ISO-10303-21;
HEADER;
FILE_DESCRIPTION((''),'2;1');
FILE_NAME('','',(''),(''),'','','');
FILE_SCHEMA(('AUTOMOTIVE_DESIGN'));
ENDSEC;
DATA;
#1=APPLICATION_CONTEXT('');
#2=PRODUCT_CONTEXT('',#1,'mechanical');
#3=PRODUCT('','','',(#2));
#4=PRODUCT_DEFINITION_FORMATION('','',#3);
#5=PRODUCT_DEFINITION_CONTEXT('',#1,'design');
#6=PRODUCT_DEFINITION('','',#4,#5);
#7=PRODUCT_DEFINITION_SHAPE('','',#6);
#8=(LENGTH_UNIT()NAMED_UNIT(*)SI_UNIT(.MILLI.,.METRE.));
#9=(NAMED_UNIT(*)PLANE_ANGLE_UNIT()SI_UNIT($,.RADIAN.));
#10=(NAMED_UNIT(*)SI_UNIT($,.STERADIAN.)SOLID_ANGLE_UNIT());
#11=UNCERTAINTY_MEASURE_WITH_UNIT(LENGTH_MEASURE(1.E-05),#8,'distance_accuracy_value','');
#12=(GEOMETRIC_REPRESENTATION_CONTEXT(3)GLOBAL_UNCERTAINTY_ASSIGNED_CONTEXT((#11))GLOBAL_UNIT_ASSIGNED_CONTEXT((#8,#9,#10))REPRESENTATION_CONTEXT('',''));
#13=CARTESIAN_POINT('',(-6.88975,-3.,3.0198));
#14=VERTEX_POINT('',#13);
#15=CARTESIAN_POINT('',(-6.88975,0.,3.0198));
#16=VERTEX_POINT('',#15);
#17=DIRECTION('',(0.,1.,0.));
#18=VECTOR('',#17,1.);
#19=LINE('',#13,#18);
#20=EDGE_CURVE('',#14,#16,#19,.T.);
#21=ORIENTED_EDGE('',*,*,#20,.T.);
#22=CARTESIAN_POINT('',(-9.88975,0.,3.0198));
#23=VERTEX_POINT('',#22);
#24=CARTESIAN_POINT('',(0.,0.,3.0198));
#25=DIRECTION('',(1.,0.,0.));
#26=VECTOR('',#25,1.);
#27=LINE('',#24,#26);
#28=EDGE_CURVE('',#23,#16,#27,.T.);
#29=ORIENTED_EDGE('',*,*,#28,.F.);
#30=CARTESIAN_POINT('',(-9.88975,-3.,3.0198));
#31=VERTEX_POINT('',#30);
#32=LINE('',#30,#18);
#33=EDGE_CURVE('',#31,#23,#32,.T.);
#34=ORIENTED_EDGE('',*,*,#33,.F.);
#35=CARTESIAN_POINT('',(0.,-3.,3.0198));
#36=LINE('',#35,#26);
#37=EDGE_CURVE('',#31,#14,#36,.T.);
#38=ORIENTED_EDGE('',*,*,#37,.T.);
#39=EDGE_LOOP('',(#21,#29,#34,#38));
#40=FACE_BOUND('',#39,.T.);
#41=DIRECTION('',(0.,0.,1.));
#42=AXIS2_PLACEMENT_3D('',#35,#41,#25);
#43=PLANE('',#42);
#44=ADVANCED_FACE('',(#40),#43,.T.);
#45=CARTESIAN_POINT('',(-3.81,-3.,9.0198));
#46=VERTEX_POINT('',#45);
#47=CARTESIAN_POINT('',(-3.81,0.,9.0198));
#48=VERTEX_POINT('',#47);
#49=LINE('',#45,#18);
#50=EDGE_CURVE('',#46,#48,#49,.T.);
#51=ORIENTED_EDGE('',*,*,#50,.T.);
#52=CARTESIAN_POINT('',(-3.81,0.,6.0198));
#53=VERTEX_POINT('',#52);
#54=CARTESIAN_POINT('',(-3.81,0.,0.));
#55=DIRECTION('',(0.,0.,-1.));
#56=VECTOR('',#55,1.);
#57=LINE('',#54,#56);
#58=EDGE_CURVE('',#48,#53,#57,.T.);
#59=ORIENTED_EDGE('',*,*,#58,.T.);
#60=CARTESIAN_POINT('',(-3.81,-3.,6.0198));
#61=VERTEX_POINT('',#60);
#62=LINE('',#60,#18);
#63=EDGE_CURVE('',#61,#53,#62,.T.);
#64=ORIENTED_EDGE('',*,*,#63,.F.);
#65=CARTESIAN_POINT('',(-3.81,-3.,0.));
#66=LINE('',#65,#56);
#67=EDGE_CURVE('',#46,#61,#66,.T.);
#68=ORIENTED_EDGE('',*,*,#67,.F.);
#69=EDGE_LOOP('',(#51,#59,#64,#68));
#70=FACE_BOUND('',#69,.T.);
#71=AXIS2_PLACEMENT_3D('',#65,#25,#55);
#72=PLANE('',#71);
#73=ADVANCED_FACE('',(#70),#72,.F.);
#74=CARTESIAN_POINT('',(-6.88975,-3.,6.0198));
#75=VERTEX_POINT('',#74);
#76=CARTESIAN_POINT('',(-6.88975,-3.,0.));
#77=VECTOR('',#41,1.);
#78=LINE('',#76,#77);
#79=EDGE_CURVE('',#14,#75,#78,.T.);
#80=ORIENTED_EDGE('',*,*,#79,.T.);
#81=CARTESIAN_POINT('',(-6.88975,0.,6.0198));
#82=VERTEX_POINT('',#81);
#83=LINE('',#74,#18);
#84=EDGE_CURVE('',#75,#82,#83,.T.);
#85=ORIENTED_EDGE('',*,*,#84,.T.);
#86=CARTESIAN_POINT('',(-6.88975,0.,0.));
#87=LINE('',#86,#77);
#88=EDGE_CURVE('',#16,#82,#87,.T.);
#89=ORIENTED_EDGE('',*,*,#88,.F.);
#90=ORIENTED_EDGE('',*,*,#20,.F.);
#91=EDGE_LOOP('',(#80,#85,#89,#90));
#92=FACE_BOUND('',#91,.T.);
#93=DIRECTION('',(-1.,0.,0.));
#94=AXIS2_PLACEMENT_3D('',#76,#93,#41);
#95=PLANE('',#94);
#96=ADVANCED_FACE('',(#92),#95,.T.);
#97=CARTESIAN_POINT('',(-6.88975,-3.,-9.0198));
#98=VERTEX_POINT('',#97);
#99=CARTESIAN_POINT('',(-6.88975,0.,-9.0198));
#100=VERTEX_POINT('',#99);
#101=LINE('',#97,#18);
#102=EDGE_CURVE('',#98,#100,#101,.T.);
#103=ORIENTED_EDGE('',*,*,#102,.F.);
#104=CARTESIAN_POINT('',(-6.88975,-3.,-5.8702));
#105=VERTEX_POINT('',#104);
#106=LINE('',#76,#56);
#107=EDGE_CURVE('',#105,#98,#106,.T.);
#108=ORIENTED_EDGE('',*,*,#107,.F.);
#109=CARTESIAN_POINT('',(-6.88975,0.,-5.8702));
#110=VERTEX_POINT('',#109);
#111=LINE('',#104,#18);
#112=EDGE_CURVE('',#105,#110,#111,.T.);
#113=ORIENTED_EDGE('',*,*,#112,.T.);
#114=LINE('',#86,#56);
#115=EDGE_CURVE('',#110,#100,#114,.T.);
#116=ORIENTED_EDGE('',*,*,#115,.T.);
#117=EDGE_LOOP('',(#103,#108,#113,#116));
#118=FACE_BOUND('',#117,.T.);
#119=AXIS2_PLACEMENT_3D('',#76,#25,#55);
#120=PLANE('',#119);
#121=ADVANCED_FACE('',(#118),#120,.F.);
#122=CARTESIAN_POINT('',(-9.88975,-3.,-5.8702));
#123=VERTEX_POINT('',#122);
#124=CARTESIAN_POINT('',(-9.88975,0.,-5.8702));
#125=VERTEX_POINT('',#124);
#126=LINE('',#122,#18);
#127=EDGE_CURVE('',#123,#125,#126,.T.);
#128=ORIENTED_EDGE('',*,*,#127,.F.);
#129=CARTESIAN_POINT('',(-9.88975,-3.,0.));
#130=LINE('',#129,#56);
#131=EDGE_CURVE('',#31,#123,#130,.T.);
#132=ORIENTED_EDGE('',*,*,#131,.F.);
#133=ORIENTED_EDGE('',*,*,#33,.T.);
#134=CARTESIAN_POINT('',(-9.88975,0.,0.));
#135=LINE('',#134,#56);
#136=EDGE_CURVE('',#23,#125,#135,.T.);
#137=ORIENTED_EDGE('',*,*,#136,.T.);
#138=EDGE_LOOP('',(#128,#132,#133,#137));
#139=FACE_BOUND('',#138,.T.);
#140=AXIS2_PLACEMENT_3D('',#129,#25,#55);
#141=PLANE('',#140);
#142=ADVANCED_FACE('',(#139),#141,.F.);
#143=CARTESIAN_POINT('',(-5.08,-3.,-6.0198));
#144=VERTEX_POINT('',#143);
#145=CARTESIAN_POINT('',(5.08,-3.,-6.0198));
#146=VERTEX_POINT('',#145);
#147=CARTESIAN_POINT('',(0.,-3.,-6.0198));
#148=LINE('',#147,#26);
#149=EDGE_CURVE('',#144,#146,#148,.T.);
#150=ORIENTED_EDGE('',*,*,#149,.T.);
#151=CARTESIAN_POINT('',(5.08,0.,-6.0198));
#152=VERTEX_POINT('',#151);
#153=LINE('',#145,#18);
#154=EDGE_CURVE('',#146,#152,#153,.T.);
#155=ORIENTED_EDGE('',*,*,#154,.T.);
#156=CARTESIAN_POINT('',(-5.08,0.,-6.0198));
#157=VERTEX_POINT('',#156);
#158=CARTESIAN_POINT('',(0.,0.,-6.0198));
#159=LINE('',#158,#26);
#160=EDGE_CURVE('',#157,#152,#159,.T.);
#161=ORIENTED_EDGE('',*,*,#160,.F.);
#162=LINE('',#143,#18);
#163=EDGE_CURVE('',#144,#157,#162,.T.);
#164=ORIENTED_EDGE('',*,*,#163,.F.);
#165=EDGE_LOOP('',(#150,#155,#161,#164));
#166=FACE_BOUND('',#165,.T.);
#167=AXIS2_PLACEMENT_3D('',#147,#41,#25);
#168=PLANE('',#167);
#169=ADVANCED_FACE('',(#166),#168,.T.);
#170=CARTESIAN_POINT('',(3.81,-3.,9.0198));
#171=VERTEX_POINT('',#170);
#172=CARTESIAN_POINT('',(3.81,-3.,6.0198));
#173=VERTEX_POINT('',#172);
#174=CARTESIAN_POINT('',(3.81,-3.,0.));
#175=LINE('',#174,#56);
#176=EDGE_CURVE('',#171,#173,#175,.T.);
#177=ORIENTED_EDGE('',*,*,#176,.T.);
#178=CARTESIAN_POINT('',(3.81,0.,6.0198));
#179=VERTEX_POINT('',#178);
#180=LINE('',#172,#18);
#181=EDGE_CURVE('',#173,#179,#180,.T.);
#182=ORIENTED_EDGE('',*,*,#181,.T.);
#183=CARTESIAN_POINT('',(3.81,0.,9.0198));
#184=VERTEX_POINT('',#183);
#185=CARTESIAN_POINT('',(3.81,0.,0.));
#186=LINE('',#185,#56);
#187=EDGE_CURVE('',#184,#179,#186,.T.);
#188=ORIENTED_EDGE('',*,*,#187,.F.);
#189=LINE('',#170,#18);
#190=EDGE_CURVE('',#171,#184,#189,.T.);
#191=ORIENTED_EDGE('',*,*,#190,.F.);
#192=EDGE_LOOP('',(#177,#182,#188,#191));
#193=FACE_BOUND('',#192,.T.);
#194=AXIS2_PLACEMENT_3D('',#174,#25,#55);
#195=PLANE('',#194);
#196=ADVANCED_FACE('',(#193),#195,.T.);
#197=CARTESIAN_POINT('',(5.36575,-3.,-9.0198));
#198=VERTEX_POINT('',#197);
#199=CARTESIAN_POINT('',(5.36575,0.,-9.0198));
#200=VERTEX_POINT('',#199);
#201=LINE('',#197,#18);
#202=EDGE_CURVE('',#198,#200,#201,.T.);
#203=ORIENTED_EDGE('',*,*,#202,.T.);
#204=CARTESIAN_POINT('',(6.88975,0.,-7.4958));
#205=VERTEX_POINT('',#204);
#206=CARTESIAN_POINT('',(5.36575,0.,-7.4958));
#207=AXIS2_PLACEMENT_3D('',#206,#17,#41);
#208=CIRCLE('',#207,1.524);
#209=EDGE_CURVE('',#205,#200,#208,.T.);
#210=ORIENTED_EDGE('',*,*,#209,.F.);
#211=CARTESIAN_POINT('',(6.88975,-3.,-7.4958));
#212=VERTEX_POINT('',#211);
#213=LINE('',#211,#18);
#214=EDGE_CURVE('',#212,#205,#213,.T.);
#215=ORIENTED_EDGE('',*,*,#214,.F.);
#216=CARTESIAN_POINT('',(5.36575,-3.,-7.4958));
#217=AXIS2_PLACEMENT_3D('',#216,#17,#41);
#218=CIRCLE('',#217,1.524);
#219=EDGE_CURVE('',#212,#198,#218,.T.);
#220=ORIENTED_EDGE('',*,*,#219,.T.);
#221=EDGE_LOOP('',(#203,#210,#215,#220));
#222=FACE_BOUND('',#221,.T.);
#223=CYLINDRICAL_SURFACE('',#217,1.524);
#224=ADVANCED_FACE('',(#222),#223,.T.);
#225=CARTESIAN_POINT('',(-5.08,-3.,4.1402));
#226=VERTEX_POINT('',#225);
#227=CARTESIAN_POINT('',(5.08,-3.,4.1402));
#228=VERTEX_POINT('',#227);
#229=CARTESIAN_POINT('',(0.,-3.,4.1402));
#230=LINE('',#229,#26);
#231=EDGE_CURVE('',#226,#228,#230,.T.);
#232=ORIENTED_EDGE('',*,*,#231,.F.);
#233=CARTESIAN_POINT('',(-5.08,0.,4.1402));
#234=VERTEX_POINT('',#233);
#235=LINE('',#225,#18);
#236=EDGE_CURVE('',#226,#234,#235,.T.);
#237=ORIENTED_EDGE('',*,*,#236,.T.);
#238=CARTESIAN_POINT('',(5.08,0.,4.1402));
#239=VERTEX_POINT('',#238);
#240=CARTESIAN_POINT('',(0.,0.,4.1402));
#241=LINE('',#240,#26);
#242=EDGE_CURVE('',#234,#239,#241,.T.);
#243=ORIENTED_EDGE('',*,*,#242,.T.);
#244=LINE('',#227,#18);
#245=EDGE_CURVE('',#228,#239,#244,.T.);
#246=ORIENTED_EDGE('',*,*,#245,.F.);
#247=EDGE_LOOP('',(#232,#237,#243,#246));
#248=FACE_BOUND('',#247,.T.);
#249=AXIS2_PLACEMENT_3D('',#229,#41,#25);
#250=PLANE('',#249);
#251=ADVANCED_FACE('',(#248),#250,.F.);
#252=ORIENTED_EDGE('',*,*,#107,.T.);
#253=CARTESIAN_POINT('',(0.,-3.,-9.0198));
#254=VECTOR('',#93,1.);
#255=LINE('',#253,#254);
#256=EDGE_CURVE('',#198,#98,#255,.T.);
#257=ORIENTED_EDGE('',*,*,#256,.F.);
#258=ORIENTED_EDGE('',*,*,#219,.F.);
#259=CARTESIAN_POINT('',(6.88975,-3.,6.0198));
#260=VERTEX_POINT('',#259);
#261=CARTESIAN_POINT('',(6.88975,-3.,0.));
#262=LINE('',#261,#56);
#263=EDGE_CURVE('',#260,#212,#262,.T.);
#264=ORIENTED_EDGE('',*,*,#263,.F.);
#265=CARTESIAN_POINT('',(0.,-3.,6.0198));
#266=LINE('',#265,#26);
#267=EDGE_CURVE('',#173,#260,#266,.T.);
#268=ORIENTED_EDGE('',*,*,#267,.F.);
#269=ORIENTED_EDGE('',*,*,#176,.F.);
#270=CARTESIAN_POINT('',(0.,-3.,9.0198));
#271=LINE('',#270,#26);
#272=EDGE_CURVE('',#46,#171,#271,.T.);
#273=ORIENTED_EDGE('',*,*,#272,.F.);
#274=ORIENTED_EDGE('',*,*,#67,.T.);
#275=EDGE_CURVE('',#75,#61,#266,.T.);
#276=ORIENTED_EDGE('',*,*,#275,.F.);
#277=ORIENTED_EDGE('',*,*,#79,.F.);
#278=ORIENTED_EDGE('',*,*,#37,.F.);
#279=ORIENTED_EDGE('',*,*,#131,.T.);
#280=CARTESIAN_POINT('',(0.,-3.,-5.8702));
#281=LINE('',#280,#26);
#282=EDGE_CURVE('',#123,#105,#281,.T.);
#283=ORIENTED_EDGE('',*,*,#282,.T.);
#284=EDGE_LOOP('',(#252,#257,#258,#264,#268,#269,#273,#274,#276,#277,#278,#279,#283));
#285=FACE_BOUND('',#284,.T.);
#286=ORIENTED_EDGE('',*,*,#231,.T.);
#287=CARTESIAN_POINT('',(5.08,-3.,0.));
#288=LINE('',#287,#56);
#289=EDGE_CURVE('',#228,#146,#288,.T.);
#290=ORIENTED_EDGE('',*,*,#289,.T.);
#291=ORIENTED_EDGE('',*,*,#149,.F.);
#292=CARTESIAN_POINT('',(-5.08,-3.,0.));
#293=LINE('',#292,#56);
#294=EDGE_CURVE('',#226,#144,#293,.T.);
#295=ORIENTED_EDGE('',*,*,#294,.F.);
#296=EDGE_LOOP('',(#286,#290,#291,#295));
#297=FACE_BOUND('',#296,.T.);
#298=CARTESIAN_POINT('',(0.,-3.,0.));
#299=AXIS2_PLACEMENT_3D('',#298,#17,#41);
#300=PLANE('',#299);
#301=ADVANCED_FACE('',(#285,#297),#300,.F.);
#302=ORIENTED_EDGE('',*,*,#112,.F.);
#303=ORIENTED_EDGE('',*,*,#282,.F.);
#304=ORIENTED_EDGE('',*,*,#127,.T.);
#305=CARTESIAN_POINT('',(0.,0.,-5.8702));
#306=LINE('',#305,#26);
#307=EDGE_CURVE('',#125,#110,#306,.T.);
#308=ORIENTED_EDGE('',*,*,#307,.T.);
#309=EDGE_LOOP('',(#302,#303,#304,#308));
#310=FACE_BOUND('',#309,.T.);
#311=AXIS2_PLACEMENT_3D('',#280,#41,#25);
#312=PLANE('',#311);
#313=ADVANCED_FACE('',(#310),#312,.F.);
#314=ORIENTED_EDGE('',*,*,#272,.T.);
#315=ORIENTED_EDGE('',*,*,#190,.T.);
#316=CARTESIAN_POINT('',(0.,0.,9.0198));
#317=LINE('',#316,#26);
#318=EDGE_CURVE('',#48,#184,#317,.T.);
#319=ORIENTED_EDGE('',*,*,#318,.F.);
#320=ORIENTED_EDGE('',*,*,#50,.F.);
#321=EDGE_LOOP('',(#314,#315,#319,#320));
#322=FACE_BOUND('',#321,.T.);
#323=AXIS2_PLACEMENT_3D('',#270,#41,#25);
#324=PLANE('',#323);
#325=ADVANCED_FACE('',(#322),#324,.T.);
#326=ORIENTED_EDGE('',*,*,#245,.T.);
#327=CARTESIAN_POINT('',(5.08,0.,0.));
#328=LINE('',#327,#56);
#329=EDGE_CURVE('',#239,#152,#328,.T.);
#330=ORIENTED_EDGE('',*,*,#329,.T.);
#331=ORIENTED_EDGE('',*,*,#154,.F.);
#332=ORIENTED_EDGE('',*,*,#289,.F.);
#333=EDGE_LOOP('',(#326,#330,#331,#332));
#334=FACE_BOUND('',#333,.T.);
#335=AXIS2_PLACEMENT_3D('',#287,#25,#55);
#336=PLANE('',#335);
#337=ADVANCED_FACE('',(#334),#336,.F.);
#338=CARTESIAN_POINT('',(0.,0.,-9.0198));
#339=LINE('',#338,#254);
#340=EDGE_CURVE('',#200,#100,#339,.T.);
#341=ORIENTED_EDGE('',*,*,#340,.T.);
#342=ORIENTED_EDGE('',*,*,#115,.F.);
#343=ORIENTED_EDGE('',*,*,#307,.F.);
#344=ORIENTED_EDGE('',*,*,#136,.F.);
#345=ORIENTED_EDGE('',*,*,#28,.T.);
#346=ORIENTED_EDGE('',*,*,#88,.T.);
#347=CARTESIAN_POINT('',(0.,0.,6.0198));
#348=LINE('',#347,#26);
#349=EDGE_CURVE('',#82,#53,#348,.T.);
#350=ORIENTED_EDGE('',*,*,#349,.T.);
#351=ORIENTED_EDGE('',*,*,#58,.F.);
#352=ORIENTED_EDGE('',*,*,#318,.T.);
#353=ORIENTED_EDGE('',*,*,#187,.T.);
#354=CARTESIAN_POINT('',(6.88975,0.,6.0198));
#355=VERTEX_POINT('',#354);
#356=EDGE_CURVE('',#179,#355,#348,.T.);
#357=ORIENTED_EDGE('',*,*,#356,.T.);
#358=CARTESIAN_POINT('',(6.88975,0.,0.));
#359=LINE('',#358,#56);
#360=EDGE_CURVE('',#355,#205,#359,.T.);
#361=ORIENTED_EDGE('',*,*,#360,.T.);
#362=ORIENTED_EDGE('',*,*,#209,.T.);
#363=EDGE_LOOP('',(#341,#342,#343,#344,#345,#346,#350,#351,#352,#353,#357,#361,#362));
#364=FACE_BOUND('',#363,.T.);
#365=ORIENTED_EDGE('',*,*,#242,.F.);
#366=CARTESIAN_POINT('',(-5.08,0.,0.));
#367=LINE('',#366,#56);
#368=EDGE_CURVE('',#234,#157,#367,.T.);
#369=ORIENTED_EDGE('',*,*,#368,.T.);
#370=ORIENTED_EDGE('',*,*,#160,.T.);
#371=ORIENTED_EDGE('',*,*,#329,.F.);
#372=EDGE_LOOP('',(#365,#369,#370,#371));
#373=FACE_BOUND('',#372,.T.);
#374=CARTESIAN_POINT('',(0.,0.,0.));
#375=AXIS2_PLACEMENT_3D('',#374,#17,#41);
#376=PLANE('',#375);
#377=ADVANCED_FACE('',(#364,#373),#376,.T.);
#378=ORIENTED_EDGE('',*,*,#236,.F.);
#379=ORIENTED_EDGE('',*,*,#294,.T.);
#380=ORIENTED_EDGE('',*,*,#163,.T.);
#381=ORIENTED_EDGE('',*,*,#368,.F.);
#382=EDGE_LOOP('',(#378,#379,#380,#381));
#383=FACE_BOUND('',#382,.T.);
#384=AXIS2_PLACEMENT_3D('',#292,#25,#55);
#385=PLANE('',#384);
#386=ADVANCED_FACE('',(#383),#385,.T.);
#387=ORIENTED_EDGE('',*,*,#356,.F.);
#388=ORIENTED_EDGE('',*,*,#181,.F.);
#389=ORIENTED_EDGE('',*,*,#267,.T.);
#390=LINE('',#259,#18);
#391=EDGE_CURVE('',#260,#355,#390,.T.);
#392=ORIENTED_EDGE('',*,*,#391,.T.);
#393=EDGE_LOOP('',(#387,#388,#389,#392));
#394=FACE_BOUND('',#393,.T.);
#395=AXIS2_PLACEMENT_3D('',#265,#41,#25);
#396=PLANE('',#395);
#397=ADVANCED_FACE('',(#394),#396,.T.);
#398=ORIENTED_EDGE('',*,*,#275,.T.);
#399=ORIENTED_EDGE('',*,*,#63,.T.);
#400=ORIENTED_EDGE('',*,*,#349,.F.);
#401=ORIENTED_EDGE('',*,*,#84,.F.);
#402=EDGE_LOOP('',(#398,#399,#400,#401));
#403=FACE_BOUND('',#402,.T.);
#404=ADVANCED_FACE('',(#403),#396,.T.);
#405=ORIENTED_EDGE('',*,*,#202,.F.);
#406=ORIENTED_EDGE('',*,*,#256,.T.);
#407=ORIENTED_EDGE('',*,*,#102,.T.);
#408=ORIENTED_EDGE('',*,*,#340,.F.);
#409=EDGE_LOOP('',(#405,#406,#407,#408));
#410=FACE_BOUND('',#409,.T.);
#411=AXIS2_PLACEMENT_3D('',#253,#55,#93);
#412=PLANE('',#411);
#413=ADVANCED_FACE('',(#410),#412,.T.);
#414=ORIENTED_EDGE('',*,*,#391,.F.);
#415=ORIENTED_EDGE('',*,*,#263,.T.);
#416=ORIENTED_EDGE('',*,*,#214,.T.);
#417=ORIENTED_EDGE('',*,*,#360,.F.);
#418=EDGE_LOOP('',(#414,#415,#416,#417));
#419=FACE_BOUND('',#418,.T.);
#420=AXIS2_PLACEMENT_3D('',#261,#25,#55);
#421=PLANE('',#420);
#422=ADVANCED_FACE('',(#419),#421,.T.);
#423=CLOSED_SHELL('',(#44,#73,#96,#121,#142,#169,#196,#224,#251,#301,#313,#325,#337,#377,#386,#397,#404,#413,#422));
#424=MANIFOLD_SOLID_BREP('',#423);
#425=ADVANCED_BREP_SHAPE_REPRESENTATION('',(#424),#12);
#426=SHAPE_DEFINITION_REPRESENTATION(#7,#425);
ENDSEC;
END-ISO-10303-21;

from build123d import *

# Parameters (mm, degrees)
SKETCH_1_W      = 10.16
SKETCH_1_H      = 10.16
EXTRUDE_1_DEPTH = 3


with BuildPart() as part:
    # 스케치1 → 보스-돌출1 (new body)
    with BuildSketch(Plane(origin=(0, 0, 0), x_dir=(1, 0, 0), z_dir=(0, 1, 0))):
        with BuildLine():
            Line((6.88975, 6.0198), (6.88975, 7.4958))
            ThreePointArc((6.88975, 7.4958), (6.443380735, 8.573430735), (5.36575, 9.0198))
            Line((5.36575, 9.0198), (5.08, 9.0198))
            Line((5.08, 9.0198), (-5.08, 9.0198))
            Line((-5.08, 9.0198), (-6.88975, 9.0198))
            Line((-6.88975, 9.0198), (-6.88975, 5.8702))
            Line((-6.88975, 5.8702), (-9.88975, 5.8702))
            Line((-9.88975, 5.8702), (-9.88975, -3.0198))
            Line((-9.88975, -3.0198), (-6.88975, -3.0198))
            Line((-6.88975, -3.0198), (-6.88975, -6.0198))
            Line((-6.88975, -6.0198), (-3.81, -6.0198))
            Line((-3.81, -6.0198), (-3.81, -9.0198))
            Line((-3.81, -9.0198), (3.81, -9.0198))
            Line((3.81, -9.0198), (3.81, -6.0198))
            Line((3.81, -6.0198), (6.88975, -6.0198))
            Line((6.88975, -6.0198), (6.88975, 6.0198))
        make_face()
        with Locations((0, 0.9398)):
            Rectangle(SKETCH_1_W, SKETCH_1_H, mode=Mode.SUBTRACT)
    extrude(amount=-EXTRUDE_1_DEPTH)


solid = part.part
